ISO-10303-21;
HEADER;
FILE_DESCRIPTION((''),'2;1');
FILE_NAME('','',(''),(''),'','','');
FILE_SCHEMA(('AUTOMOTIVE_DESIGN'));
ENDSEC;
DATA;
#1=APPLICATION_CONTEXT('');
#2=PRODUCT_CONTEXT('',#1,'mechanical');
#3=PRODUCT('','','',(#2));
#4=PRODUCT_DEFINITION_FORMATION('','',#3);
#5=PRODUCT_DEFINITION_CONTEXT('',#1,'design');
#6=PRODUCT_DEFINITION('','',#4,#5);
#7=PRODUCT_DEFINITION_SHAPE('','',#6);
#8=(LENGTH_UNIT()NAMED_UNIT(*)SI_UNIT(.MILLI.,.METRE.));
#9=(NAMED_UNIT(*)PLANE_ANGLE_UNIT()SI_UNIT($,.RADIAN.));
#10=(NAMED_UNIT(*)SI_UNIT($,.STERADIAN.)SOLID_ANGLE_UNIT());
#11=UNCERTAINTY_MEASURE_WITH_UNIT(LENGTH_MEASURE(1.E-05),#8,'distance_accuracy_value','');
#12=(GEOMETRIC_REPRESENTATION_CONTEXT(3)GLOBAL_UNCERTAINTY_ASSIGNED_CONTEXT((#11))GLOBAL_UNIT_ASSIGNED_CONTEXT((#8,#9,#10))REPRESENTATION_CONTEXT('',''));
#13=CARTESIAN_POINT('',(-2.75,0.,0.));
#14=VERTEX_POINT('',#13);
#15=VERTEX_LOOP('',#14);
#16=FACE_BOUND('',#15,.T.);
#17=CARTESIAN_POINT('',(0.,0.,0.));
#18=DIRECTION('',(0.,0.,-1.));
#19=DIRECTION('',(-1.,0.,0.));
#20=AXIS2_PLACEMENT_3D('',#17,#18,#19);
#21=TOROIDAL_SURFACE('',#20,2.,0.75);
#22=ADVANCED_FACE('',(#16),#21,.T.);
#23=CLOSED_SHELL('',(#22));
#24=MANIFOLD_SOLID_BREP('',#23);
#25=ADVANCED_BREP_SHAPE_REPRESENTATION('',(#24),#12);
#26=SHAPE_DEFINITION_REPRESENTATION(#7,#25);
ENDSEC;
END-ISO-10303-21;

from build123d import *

# Parameters (mm, degrees)
SKETCH2_R = 0.75


with BuildPart() as part:
    # Sketch2 → Revolve1 (revolve)
    with BuildSketch(Plane(origin=(0, 0, 0), x_dir=(1, 0, 0), z_dir=(0, 1, 0)), mode=Mode.PRIVATE) as revolve1_sk:
        with Locations((2, 0)):
            Circle(SKETCH2_R)
    revolve(revolve1_sk.sketch.rotate(Axis((0, 0, -0.75), (0, 0, 1)), 180), axis=Axis((0, 0, -0.75), (0, 0, 1)))


solid = part.part
